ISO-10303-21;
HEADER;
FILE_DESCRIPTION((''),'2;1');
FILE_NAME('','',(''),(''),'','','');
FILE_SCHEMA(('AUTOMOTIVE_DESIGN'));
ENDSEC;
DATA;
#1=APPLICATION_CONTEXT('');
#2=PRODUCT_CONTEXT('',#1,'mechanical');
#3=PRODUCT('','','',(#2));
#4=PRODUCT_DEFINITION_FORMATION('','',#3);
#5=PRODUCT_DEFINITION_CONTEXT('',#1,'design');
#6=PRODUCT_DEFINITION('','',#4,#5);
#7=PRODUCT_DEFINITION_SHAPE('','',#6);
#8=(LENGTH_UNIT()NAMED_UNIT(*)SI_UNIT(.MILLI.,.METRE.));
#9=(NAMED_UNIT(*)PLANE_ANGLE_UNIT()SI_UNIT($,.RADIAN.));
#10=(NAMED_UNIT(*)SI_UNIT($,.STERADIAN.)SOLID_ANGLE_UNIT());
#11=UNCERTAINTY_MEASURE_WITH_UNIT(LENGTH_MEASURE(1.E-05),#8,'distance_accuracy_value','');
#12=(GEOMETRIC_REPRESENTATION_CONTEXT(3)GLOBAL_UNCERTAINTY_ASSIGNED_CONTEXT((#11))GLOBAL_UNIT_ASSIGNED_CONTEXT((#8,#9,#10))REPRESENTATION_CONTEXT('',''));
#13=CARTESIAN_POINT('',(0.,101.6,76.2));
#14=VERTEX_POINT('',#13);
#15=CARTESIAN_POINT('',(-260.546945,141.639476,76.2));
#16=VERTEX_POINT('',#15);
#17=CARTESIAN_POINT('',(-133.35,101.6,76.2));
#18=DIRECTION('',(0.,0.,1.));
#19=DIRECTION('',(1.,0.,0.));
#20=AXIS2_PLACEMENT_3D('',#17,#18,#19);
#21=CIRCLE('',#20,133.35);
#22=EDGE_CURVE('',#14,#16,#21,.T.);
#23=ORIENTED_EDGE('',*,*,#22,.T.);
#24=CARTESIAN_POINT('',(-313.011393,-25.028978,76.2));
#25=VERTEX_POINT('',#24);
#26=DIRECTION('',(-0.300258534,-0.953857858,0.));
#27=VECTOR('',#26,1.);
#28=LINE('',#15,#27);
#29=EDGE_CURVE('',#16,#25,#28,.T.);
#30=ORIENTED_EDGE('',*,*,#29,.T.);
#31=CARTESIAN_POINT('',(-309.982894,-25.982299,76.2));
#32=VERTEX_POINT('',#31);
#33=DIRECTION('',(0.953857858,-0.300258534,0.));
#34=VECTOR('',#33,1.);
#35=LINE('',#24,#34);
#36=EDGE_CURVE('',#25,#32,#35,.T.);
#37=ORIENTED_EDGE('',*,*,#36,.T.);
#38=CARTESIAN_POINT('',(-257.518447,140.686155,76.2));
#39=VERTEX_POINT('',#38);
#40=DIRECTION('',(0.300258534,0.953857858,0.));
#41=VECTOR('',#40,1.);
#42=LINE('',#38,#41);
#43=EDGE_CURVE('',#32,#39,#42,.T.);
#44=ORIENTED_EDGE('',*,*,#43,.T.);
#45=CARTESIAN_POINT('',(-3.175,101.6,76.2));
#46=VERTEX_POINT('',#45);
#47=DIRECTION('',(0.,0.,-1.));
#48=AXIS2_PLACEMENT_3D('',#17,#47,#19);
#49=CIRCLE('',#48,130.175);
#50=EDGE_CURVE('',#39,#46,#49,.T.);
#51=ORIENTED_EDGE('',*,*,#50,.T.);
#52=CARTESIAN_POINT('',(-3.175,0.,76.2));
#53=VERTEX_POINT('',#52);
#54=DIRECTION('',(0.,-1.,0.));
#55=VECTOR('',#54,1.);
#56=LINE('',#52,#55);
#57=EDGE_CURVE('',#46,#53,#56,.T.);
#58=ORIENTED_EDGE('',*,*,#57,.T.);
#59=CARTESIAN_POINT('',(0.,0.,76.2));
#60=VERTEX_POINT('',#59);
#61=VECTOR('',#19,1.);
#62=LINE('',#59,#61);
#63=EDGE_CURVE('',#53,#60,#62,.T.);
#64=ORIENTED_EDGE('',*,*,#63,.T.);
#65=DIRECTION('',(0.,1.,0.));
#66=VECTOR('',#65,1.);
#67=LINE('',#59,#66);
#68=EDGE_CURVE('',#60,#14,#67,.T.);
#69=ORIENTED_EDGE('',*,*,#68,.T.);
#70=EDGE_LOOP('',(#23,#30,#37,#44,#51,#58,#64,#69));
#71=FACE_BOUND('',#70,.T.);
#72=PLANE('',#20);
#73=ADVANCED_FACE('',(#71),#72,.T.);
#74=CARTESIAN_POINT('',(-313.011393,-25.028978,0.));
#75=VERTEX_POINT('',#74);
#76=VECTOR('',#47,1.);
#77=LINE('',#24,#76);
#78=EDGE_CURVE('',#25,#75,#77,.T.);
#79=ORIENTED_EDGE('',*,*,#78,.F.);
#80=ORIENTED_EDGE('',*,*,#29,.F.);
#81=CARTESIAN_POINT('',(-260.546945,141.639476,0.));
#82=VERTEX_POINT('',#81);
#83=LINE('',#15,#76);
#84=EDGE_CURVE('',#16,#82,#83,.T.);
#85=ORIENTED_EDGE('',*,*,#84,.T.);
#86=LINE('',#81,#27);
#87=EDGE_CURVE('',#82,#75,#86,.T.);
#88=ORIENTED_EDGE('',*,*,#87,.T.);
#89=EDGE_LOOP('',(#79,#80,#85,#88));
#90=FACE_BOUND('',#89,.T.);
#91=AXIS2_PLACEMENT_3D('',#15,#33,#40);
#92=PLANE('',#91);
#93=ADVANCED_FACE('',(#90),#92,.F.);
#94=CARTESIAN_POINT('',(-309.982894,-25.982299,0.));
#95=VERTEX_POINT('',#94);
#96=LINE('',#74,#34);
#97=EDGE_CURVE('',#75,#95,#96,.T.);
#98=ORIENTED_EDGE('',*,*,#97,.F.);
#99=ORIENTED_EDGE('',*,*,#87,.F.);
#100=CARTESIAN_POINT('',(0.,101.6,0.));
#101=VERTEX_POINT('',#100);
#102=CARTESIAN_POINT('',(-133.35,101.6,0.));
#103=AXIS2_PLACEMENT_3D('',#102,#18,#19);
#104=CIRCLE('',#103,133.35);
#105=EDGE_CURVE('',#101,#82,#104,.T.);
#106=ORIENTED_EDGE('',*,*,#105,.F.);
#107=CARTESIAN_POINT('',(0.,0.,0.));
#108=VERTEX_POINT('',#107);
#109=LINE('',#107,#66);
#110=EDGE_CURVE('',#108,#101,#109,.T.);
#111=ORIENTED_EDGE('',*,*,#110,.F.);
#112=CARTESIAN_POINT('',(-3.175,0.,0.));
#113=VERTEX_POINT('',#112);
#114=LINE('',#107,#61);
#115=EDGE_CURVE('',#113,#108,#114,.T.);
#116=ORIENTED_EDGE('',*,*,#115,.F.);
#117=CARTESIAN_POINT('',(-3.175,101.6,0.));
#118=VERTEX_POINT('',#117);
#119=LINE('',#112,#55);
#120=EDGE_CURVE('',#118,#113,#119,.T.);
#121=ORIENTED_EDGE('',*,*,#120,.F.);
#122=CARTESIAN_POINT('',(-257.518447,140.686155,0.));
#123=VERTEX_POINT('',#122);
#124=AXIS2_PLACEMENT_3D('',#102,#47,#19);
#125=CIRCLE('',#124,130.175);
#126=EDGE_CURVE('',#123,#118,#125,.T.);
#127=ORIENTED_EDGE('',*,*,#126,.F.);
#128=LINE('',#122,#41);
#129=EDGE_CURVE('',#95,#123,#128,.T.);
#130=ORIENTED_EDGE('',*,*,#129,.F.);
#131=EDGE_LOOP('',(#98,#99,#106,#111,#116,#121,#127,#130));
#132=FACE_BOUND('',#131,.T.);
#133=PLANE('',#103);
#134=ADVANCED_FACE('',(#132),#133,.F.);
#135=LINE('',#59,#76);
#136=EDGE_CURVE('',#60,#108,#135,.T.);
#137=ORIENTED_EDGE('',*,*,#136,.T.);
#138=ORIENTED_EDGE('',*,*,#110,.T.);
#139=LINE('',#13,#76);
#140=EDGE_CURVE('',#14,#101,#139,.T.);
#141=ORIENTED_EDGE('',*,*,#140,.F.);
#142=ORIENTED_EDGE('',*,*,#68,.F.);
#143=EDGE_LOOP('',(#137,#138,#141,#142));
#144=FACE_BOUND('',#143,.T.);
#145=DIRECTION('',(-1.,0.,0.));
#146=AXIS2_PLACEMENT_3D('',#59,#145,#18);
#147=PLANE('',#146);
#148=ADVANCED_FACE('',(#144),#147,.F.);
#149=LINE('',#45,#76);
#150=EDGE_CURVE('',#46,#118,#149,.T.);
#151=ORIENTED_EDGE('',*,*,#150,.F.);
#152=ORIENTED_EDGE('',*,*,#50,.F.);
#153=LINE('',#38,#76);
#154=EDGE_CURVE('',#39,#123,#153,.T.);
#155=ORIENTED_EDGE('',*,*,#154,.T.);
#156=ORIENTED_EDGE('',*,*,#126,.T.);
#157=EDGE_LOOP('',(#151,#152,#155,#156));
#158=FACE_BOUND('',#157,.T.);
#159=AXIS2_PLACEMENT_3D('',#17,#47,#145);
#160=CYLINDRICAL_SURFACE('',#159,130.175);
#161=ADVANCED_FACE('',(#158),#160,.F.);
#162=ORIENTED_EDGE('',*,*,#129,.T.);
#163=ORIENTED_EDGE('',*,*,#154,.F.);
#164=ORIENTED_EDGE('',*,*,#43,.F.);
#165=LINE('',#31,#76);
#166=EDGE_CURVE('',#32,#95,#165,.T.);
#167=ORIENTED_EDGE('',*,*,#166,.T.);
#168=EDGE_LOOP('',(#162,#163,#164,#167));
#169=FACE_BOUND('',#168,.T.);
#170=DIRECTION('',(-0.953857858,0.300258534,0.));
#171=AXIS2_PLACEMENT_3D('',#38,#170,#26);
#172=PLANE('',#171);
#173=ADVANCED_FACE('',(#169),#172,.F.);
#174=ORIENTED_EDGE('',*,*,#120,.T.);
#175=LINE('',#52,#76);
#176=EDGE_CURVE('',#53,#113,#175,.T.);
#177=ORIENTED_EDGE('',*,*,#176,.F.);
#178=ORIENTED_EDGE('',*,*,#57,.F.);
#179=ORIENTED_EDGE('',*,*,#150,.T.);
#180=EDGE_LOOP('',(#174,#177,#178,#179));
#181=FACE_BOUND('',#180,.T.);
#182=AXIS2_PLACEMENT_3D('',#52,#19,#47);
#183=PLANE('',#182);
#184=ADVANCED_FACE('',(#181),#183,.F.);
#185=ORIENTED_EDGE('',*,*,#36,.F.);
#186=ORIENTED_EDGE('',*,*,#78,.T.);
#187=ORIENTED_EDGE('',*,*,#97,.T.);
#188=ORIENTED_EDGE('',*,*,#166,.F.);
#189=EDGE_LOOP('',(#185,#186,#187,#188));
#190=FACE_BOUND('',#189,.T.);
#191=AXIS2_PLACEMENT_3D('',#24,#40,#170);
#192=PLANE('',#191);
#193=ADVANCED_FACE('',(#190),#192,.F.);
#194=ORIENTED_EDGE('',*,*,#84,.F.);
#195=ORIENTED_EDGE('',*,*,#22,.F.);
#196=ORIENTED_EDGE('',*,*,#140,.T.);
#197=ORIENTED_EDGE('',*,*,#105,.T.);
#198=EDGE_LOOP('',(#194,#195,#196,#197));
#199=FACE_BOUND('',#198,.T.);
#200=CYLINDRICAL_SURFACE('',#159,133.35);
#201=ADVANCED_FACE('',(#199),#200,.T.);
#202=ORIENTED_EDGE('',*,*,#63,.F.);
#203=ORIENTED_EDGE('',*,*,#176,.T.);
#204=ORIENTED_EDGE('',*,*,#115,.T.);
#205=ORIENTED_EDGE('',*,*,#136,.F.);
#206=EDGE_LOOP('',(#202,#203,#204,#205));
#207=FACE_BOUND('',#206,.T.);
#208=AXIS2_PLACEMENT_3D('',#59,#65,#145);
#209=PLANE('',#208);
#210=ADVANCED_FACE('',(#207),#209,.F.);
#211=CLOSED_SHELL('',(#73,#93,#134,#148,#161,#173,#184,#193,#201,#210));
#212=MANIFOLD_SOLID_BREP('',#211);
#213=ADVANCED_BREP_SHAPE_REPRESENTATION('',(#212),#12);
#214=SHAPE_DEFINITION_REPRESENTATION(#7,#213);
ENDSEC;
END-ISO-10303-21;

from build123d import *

# Parameters (mm, degrees)
BOSS_EXTRUDE1_DEPTH = 76.2


with BuildPart() as part:
    # Sketch2 → Boss-Extrude1 (new body)
    with BuildSketch(Plane.XY):
        with BuildLine():
            Line((0, 0), (0, 101.6))
            ThreePointArc((0, 101.6), (-113.095249414, 233.402760133), (-260.546945312, 141.639475562))
            Line((-260.546945312, 141.639475562), (-313.011392851, -25.028977778))
            Line((-313.011392851, -25.028977778), (-309.982894153, -25.982298625))
            Line((-309.982894153, -25.982298625), (-257.518446614, 140.686154715))
            ThreePointArc((-257.518446614, 140.686154715), (-113.57750538, 230.264599177), (-3.175, 101.6))
            Line((-3.175, 101.6), (-3.175, 0))
            Line((-3.175, 0), (0, 0))
        make_face()
    extrude(amount=BOSS_EXTRUDE1_DEPTH)


solid = part.part
